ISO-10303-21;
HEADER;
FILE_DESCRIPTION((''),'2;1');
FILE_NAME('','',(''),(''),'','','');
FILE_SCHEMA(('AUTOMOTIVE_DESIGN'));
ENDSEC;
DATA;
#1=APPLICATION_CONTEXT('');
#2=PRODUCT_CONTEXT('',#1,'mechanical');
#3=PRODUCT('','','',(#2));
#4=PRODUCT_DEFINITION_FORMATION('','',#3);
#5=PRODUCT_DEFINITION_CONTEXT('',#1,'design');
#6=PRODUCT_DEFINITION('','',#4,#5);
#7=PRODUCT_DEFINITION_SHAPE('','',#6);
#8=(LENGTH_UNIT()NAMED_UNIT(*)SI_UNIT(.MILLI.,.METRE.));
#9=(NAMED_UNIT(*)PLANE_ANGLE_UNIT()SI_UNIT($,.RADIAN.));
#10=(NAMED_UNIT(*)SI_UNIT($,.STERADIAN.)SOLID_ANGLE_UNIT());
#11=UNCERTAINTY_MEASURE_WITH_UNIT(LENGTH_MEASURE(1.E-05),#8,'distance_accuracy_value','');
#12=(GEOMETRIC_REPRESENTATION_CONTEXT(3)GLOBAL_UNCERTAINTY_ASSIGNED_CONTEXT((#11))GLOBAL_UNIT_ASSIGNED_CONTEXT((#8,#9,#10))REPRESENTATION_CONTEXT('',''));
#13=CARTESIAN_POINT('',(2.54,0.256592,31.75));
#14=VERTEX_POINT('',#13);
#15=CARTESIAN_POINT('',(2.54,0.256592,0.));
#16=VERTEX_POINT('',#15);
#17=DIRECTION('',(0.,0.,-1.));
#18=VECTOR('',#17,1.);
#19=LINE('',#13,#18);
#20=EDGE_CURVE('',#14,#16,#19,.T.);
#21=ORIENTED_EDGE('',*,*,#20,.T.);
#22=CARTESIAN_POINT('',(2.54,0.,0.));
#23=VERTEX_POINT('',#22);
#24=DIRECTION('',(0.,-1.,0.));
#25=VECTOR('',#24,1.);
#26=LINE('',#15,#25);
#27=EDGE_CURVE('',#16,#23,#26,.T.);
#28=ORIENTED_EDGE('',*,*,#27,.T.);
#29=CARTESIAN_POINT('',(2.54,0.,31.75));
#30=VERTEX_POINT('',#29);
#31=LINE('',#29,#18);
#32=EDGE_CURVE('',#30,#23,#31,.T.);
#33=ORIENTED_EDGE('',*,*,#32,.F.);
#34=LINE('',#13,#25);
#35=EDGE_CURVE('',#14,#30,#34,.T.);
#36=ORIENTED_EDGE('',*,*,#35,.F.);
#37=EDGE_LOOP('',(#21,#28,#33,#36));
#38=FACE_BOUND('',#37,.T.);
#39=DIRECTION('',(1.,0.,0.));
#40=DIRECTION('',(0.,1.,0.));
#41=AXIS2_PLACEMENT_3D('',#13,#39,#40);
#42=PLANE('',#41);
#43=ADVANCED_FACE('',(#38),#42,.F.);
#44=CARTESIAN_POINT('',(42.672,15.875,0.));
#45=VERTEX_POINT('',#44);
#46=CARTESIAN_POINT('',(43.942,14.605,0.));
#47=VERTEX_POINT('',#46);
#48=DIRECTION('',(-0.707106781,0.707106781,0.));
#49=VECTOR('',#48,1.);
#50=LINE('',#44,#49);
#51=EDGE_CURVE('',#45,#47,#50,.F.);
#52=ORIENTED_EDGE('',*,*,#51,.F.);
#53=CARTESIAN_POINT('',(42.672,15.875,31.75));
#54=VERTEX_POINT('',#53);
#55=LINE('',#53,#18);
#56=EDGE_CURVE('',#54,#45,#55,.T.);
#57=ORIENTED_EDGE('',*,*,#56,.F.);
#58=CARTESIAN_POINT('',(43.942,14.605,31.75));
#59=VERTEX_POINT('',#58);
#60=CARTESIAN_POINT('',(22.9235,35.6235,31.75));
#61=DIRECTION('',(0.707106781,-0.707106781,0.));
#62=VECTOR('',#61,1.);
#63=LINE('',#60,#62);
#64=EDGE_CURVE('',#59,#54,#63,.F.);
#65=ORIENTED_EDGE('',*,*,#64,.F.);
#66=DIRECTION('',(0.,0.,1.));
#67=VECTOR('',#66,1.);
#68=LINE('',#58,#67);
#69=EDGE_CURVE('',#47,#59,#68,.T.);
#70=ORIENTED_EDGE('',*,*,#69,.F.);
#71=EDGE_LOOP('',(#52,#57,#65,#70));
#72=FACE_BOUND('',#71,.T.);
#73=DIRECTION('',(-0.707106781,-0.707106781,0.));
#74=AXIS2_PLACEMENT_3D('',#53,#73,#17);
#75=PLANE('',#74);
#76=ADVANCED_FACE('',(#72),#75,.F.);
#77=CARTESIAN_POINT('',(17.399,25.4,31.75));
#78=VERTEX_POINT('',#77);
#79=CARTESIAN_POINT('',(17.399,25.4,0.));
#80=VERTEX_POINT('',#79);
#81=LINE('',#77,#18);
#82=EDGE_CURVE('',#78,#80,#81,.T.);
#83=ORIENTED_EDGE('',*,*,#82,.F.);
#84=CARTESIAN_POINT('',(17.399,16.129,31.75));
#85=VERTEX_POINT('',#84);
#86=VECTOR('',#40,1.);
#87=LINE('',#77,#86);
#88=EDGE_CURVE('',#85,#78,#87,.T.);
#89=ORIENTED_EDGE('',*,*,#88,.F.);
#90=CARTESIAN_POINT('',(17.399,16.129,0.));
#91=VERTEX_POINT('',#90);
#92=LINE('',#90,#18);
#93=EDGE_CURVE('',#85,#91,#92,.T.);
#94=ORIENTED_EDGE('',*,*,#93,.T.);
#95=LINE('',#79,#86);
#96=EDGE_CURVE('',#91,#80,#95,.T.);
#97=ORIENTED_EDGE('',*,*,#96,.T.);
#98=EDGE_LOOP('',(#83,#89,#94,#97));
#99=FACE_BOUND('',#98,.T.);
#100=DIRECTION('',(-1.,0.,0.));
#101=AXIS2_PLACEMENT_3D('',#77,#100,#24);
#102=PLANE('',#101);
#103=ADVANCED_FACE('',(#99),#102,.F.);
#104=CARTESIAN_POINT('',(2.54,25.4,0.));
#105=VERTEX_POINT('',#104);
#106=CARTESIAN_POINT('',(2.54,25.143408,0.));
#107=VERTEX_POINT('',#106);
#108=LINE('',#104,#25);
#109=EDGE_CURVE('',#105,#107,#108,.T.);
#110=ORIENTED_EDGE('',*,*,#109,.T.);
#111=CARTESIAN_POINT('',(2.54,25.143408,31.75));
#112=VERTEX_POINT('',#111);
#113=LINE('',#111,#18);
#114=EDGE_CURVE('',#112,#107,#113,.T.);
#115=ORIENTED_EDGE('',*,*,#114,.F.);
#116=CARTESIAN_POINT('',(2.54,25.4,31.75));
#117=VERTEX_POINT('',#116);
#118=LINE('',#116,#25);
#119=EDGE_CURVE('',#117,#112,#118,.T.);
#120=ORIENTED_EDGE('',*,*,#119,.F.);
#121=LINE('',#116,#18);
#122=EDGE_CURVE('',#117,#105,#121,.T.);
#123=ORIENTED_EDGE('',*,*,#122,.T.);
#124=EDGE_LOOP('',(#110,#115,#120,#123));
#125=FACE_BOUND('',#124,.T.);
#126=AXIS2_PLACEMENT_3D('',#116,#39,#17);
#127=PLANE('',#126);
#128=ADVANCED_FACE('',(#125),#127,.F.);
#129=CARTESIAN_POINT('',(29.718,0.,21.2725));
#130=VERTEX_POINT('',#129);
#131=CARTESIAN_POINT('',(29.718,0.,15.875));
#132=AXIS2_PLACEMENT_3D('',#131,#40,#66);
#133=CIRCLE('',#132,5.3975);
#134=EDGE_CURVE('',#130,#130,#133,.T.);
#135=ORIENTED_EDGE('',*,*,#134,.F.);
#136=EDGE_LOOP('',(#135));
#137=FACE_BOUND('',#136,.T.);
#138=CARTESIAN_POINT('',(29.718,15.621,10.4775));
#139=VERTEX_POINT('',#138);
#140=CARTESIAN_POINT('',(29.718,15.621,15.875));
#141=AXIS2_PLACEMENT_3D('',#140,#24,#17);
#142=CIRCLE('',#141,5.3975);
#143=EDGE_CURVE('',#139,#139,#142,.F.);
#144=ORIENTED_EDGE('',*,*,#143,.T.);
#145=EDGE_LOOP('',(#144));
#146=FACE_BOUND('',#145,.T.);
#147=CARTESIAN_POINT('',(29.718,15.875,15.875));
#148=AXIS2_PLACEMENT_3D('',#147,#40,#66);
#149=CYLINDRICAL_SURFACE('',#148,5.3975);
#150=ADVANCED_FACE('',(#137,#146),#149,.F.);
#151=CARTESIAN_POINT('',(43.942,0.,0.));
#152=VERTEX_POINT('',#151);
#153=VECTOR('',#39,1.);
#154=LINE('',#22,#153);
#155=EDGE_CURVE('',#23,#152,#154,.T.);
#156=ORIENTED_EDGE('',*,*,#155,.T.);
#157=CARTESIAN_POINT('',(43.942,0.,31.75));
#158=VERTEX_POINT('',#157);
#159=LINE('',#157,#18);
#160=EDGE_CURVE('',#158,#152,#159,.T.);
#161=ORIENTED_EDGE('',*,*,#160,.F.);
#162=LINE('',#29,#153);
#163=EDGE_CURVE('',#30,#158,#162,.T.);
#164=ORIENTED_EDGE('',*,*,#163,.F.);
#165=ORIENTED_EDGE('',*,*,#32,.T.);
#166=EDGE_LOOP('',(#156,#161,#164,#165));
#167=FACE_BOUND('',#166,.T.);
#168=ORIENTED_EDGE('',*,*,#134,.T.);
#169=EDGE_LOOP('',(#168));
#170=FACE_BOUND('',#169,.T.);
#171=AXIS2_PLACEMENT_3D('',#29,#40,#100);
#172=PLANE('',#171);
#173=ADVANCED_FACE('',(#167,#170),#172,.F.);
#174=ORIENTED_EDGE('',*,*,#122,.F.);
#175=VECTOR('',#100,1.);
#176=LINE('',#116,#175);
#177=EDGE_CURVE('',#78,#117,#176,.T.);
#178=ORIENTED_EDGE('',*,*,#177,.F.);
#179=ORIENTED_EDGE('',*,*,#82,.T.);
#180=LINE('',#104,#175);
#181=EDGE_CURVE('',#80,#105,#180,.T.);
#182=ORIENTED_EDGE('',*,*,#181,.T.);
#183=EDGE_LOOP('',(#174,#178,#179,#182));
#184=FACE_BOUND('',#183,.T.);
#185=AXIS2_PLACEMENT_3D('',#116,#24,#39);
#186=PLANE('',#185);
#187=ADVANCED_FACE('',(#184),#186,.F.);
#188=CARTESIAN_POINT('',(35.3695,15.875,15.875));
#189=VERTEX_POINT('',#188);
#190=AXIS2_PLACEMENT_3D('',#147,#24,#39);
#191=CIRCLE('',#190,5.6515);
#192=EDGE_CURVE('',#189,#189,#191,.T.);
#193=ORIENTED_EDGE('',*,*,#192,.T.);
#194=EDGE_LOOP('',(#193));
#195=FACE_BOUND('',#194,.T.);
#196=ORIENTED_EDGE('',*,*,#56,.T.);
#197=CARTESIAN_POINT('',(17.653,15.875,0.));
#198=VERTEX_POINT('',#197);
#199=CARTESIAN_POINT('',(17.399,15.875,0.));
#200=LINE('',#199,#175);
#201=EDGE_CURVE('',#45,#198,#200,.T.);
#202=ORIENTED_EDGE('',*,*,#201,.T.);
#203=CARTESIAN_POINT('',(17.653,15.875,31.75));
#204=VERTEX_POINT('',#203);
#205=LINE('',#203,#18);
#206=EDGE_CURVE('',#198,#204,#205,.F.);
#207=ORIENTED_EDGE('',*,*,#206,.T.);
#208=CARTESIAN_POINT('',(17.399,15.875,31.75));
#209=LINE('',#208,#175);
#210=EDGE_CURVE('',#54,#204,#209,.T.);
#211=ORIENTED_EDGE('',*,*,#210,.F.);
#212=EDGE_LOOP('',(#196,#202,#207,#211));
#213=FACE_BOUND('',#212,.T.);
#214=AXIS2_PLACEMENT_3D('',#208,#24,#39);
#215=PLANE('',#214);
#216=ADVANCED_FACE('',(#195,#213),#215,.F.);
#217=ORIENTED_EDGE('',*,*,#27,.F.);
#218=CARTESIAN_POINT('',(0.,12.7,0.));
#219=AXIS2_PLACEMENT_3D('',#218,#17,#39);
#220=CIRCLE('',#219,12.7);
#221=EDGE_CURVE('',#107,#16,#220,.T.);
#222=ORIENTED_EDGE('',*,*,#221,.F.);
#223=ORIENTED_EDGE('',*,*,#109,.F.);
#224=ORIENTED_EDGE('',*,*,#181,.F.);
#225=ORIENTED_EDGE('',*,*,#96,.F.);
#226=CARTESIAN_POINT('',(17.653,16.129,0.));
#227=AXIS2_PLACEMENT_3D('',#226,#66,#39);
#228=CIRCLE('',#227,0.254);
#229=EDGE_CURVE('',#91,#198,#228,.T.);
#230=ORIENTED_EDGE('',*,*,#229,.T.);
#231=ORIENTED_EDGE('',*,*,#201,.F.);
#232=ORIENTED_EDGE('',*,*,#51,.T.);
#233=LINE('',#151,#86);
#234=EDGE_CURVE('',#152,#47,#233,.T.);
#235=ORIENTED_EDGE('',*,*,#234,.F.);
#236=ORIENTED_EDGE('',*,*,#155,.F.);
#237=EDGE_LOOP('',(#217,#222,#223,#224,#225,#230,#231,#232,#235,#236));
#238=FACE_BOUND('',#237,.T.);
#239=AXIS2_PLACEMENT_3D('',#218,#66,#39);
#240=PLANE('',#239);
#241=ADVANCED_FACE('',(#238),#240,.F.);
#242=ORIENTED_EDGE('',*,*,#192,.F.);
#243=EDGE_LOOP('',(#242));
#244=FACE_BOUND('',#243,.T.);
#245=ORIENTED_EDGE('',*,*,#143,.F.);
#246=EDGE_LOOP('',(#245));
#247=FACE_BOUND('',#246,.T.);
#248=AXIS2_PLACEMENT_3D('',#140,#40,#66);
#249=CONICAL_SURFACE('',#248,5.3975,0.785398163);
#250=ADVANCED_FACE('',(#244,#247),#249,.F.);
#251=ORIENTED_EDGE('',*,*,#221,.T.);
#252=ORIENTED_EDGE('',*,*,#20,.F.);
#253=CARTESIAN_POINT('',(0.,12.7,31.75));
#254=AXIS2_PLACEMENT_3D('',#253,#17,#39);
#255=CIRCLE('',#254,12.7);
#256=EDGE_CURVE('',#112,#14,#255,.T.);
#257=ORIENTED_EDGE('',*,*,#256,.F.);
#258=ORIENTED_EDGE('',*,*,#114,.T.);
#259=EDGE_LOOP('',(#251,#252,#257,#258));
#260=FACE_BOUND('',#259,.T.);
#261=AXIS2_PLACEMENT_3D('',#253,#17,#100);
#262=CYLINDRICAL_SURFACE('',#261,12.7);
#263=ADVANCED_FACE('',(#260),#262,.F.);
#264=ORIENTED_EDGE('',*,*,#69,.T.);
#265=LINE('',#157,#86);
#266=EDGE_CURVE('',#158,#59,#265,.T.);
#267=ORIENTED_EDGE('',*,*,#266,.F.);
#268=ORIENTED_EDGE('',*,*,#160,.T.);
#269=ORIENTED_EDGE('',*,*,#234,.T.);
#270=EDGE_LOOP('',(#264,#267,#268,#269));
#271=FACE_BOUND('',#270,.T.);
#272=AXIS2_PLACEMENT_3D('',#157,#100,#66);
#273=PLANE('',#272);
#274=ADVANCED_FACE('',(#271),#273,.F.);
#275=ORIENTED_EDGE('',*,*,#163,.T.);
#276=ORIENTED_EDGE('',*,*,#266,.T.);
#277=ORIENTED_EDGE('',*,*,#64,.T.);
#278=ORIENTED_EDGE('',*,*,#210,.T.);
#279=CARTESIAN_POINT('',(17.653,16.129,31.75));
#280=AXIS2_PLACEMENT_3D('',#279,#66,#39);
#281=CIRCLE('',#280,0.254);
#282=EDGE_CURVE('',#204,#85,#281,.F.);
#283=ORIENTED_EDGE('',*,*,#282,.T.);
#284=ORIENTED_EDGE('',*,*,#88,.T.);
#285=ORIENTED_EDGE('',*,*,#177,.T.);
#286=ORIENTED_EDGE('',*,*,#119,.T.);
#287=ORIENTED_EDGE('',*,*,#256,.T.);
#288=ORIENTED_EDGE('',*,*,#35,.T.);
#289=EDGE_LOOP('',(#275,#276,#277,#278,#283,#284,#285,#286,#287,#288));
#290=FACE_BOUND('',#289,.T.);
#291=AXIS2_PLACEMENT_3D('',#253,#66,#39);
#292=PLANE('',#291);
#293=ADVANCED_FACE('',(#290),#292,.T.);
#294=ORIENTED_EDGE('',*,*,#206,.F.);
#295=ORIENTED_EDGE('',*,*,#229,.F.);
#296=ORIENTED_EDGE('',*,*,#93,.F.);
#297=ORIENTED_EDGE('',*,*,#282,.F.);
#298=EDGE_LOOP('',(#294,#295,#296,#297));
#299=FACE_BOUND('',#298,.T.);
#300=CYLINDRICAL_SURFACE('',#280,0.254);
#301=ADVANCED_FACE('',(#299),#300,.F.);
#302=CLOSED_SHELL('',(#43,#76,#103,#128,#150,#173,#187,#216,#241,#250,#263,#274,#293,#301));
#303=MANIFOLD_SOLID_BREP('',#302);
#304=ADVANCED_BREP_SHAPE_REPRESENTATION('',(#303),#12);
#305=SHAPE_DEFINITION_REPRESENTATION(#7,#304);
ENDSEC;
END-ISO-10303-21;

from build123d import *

# Parameters (mm, degrees)
BOSS_EXTRUDE1_DEPTH      = 31.75
X_0_397_DIAMETER_HOLE1_D = 10.795
CHAMFER1_SIZE            = 1.27
CHAMFER2_SIZE            = 0.254
FILLET1_R                = 0.254


with BuildPart() as part:
    # Sketch1 → Boss-Extrude1 (new body)
    with BuildSketch(Plane.XY):
        with BuildLine():
            Line((2.54, 0), (43.942, 0))
            Line((43.942, 0), (43.942, 15.875))
            Line((43.942, 15.875), (17.399, 15.875))
            Line((17.399, 15.875), (17.399, 25.4))
            Line((17.399, 25.4), (2.54, 25.4))
            Line((2.54, 25.4), (2.54, 25.143407893))
            ThreePointArc((2.54, 25.143407893), (12.7, 12.7), (2.54, 0.256592107))
            Line((2.54, 0.256592107), (2.54, 0))
        make_face()
    extrude(amount=BOSS_EXTRUDE1_DEPTH)

    # X (0.397) Diameter Hole1 (through all)
    with Locations(Plane(origin=(0, 15.875, 0), x_dir=(1, 0, 0), z_dir=(0, 1, 0))):
        with Locations((29.718, -15.875)):
            Hole(X_0_397_DIAMETER_HOLE1_D / 2)

    # Chamfer1
    chamfer1_edges = [part.edges().sort_by_distance(p)[0] for p in [
        (43.942, 15.875, 15.875),
    ]]
    chamfer(chamfer1_edges, length=CHAMFER1_SIZE)

    # Chamfer2
    chamfer2_edges = [part.edges().sort_by_distance(p)[0] for p in [
        (35.1155, 15.875, 15.875),
    ]]
    chamfer(chamfer2_edges, length=CHAMFER2_SIZE)

    # Fillet1
    fillet1_edges = [part.edges().sort_by_distance(p)[0] for p in [
        (17.399, 15.875, 15.875),
    ]]
    fillet(fillet1_edges, radius=FILLET1_R)


solid = part.part
